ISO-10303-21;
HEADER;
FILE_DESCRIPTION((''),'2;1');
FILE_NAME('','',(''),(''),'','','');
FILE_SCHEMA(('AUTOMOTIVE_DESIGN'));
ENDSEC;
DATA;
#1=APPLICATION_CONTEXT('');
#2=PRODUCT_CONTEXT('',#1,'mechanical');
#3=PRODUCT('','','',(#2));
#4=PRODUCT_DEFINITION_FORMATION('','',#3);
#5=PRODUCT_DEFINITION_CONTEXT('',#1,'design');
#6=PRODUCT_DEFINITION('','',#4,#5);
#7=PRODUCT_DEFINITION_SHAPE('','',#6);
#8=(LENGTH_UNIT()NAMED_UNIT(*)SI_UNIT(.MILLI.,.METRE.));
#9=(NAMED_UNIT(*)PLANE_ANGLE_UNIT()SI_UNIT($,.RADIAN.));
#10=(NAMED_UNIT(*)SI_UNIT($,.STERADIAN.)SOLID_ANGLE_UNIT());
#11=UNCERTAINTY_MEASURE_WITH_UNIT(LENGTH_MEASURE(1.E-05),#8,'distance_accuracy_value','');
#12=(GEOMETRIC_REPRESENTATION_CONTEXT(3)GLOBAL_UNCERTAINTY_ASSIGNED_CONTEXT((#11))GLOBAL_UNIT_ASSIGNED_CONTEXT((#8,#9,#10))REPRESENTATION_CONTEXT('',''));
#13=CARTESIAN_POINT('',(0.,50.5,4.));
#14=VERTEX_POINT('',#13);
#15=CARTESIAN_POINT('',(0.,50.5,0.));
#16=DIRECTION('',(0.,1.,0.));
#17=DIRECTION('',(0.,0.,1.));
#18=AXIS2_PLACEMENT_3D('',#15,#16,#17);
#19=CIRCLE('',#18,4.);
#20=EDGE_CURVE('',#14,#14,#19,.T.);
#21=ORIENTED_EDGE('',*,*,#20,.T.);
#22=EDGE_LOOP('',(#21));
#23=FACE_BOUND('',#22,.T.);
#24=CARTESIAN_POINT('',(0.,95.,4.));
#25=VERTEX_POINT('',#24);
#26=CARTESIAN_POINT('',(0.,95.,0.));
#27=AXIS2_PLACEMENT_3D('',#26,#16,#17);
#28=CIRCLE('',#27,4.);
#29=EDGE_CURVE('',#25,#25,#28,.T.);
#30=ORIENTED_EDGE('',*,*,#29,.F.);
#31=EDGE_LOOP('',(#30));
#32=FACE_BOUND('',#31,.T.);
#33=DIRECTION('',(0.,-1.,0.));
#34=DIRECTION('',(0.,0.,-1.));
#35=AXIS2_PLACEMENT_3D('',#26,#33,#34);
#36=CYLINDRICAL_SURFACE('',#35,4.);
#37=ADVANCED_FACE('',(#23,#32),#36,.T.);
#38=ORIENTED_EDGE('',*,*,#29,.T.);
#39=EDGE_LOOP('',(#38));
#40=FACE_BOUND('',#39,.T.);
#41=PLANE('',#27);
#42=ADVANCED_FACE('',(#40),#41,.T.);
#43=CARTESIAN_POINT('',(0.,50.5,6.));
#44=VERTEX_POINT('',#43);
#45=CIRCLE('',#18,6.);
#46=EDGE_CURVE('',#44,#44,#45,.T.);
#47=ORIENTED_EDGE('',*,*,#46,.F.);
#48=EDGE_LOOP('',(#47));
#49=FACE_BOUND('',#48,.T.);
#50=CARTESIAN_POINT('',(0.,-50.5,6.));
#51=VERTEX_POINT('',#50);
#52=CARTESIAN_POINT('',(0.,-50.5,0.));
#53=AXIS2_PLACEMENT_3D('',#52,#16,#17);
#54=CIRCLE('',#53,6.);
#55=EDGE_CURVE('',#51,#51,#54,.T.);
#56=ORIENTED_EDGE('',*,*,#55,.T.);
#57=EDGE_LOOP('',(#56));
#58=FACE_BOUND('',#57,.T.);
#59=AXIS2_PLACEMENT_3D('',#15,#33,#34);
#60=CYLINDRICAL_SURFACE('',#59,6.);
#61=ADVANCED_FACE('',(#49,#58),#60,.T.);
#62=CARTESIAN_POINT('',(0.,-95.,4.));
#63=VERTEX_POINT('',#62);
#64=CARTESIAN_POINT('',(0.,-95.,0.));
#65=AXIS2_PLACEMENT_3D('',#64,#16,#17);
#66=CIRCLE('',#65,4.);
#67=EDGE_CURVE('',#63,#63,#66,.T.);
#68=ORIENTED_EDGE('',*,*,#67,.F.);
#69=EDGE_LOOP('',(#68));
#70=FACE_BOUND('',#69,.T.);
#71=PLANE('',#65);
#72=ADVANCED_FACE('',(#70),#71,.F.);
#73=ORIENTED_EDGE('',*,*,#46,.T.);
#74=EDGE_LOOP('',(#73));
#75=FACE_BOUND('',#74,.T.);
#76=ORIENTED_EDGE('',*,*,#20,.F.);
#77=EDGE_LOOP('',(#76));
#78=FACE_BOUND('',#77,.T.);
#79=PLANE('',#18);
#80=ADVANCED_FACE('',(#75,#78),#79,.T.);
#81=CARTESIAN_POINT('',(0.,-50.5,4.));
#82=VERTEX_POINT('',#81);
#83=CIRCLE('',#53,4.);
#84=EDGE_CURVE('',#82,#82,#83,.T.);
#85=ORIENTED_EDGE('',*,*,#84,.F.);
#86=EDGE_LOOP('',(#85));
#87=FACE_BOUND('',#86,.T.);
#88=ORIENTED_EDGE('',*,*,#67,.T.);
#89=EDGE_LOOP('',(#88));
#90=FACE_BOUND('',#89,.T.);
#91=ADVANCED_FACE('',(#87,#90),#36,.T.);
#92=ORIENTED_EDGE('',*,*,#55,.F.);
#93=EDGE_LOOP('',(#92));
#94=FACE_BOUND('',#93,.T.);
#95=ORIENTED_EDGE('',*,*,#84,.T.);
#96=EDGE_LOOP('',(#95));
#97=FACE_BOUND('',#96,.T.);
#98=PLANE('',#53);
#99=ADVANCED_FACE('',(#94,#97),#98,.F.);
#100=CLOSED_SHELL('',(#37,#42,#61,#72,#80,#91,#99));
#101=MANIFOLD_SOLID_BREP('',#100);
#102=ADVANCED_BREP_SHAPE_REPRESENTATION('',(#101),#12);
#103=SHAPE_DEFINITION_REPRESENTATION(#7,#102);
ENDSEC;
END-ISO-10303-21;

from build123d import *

# Parameters (mm, degrees)
SKETCH1_R           = 4
BOSS_EXTRUDE1_DEPTH = 95
SKETCH1_3_R         = 6
SKETCH1_3_R_2       = 4
BOSS_EXTRUDE2_DEPTH = 50.5


with BuildPart() as part:
    # Sketch1 → Boss-Extrude1 (new, symmetric)
    with BuildSketch(Plane(origin=(0, 0, 0), x_dir=(1, 0, 0), z_dir=(0, 1, 0))):
        Circle(SKETCH1_R)
    extrude(amount=BOSS_EXTRUDE1_DEPTH, both=True)

    # Sketch1<3> → Boss-Extrude2 (add, symmetric)
    with BuildSketch(Plane(origin=(0, 0, 0), x_dir=(1, 0, 0), z_dir=(0, 1, 0))):
        Circle(SKETCH1_3_R)
        Circle(SKETCH1_3_R_2, mode=Mode.SUBTRACT)
    extrude(amount=BOSS_EXTRUDE2_DEPTH, both=True)


solid = part.part
